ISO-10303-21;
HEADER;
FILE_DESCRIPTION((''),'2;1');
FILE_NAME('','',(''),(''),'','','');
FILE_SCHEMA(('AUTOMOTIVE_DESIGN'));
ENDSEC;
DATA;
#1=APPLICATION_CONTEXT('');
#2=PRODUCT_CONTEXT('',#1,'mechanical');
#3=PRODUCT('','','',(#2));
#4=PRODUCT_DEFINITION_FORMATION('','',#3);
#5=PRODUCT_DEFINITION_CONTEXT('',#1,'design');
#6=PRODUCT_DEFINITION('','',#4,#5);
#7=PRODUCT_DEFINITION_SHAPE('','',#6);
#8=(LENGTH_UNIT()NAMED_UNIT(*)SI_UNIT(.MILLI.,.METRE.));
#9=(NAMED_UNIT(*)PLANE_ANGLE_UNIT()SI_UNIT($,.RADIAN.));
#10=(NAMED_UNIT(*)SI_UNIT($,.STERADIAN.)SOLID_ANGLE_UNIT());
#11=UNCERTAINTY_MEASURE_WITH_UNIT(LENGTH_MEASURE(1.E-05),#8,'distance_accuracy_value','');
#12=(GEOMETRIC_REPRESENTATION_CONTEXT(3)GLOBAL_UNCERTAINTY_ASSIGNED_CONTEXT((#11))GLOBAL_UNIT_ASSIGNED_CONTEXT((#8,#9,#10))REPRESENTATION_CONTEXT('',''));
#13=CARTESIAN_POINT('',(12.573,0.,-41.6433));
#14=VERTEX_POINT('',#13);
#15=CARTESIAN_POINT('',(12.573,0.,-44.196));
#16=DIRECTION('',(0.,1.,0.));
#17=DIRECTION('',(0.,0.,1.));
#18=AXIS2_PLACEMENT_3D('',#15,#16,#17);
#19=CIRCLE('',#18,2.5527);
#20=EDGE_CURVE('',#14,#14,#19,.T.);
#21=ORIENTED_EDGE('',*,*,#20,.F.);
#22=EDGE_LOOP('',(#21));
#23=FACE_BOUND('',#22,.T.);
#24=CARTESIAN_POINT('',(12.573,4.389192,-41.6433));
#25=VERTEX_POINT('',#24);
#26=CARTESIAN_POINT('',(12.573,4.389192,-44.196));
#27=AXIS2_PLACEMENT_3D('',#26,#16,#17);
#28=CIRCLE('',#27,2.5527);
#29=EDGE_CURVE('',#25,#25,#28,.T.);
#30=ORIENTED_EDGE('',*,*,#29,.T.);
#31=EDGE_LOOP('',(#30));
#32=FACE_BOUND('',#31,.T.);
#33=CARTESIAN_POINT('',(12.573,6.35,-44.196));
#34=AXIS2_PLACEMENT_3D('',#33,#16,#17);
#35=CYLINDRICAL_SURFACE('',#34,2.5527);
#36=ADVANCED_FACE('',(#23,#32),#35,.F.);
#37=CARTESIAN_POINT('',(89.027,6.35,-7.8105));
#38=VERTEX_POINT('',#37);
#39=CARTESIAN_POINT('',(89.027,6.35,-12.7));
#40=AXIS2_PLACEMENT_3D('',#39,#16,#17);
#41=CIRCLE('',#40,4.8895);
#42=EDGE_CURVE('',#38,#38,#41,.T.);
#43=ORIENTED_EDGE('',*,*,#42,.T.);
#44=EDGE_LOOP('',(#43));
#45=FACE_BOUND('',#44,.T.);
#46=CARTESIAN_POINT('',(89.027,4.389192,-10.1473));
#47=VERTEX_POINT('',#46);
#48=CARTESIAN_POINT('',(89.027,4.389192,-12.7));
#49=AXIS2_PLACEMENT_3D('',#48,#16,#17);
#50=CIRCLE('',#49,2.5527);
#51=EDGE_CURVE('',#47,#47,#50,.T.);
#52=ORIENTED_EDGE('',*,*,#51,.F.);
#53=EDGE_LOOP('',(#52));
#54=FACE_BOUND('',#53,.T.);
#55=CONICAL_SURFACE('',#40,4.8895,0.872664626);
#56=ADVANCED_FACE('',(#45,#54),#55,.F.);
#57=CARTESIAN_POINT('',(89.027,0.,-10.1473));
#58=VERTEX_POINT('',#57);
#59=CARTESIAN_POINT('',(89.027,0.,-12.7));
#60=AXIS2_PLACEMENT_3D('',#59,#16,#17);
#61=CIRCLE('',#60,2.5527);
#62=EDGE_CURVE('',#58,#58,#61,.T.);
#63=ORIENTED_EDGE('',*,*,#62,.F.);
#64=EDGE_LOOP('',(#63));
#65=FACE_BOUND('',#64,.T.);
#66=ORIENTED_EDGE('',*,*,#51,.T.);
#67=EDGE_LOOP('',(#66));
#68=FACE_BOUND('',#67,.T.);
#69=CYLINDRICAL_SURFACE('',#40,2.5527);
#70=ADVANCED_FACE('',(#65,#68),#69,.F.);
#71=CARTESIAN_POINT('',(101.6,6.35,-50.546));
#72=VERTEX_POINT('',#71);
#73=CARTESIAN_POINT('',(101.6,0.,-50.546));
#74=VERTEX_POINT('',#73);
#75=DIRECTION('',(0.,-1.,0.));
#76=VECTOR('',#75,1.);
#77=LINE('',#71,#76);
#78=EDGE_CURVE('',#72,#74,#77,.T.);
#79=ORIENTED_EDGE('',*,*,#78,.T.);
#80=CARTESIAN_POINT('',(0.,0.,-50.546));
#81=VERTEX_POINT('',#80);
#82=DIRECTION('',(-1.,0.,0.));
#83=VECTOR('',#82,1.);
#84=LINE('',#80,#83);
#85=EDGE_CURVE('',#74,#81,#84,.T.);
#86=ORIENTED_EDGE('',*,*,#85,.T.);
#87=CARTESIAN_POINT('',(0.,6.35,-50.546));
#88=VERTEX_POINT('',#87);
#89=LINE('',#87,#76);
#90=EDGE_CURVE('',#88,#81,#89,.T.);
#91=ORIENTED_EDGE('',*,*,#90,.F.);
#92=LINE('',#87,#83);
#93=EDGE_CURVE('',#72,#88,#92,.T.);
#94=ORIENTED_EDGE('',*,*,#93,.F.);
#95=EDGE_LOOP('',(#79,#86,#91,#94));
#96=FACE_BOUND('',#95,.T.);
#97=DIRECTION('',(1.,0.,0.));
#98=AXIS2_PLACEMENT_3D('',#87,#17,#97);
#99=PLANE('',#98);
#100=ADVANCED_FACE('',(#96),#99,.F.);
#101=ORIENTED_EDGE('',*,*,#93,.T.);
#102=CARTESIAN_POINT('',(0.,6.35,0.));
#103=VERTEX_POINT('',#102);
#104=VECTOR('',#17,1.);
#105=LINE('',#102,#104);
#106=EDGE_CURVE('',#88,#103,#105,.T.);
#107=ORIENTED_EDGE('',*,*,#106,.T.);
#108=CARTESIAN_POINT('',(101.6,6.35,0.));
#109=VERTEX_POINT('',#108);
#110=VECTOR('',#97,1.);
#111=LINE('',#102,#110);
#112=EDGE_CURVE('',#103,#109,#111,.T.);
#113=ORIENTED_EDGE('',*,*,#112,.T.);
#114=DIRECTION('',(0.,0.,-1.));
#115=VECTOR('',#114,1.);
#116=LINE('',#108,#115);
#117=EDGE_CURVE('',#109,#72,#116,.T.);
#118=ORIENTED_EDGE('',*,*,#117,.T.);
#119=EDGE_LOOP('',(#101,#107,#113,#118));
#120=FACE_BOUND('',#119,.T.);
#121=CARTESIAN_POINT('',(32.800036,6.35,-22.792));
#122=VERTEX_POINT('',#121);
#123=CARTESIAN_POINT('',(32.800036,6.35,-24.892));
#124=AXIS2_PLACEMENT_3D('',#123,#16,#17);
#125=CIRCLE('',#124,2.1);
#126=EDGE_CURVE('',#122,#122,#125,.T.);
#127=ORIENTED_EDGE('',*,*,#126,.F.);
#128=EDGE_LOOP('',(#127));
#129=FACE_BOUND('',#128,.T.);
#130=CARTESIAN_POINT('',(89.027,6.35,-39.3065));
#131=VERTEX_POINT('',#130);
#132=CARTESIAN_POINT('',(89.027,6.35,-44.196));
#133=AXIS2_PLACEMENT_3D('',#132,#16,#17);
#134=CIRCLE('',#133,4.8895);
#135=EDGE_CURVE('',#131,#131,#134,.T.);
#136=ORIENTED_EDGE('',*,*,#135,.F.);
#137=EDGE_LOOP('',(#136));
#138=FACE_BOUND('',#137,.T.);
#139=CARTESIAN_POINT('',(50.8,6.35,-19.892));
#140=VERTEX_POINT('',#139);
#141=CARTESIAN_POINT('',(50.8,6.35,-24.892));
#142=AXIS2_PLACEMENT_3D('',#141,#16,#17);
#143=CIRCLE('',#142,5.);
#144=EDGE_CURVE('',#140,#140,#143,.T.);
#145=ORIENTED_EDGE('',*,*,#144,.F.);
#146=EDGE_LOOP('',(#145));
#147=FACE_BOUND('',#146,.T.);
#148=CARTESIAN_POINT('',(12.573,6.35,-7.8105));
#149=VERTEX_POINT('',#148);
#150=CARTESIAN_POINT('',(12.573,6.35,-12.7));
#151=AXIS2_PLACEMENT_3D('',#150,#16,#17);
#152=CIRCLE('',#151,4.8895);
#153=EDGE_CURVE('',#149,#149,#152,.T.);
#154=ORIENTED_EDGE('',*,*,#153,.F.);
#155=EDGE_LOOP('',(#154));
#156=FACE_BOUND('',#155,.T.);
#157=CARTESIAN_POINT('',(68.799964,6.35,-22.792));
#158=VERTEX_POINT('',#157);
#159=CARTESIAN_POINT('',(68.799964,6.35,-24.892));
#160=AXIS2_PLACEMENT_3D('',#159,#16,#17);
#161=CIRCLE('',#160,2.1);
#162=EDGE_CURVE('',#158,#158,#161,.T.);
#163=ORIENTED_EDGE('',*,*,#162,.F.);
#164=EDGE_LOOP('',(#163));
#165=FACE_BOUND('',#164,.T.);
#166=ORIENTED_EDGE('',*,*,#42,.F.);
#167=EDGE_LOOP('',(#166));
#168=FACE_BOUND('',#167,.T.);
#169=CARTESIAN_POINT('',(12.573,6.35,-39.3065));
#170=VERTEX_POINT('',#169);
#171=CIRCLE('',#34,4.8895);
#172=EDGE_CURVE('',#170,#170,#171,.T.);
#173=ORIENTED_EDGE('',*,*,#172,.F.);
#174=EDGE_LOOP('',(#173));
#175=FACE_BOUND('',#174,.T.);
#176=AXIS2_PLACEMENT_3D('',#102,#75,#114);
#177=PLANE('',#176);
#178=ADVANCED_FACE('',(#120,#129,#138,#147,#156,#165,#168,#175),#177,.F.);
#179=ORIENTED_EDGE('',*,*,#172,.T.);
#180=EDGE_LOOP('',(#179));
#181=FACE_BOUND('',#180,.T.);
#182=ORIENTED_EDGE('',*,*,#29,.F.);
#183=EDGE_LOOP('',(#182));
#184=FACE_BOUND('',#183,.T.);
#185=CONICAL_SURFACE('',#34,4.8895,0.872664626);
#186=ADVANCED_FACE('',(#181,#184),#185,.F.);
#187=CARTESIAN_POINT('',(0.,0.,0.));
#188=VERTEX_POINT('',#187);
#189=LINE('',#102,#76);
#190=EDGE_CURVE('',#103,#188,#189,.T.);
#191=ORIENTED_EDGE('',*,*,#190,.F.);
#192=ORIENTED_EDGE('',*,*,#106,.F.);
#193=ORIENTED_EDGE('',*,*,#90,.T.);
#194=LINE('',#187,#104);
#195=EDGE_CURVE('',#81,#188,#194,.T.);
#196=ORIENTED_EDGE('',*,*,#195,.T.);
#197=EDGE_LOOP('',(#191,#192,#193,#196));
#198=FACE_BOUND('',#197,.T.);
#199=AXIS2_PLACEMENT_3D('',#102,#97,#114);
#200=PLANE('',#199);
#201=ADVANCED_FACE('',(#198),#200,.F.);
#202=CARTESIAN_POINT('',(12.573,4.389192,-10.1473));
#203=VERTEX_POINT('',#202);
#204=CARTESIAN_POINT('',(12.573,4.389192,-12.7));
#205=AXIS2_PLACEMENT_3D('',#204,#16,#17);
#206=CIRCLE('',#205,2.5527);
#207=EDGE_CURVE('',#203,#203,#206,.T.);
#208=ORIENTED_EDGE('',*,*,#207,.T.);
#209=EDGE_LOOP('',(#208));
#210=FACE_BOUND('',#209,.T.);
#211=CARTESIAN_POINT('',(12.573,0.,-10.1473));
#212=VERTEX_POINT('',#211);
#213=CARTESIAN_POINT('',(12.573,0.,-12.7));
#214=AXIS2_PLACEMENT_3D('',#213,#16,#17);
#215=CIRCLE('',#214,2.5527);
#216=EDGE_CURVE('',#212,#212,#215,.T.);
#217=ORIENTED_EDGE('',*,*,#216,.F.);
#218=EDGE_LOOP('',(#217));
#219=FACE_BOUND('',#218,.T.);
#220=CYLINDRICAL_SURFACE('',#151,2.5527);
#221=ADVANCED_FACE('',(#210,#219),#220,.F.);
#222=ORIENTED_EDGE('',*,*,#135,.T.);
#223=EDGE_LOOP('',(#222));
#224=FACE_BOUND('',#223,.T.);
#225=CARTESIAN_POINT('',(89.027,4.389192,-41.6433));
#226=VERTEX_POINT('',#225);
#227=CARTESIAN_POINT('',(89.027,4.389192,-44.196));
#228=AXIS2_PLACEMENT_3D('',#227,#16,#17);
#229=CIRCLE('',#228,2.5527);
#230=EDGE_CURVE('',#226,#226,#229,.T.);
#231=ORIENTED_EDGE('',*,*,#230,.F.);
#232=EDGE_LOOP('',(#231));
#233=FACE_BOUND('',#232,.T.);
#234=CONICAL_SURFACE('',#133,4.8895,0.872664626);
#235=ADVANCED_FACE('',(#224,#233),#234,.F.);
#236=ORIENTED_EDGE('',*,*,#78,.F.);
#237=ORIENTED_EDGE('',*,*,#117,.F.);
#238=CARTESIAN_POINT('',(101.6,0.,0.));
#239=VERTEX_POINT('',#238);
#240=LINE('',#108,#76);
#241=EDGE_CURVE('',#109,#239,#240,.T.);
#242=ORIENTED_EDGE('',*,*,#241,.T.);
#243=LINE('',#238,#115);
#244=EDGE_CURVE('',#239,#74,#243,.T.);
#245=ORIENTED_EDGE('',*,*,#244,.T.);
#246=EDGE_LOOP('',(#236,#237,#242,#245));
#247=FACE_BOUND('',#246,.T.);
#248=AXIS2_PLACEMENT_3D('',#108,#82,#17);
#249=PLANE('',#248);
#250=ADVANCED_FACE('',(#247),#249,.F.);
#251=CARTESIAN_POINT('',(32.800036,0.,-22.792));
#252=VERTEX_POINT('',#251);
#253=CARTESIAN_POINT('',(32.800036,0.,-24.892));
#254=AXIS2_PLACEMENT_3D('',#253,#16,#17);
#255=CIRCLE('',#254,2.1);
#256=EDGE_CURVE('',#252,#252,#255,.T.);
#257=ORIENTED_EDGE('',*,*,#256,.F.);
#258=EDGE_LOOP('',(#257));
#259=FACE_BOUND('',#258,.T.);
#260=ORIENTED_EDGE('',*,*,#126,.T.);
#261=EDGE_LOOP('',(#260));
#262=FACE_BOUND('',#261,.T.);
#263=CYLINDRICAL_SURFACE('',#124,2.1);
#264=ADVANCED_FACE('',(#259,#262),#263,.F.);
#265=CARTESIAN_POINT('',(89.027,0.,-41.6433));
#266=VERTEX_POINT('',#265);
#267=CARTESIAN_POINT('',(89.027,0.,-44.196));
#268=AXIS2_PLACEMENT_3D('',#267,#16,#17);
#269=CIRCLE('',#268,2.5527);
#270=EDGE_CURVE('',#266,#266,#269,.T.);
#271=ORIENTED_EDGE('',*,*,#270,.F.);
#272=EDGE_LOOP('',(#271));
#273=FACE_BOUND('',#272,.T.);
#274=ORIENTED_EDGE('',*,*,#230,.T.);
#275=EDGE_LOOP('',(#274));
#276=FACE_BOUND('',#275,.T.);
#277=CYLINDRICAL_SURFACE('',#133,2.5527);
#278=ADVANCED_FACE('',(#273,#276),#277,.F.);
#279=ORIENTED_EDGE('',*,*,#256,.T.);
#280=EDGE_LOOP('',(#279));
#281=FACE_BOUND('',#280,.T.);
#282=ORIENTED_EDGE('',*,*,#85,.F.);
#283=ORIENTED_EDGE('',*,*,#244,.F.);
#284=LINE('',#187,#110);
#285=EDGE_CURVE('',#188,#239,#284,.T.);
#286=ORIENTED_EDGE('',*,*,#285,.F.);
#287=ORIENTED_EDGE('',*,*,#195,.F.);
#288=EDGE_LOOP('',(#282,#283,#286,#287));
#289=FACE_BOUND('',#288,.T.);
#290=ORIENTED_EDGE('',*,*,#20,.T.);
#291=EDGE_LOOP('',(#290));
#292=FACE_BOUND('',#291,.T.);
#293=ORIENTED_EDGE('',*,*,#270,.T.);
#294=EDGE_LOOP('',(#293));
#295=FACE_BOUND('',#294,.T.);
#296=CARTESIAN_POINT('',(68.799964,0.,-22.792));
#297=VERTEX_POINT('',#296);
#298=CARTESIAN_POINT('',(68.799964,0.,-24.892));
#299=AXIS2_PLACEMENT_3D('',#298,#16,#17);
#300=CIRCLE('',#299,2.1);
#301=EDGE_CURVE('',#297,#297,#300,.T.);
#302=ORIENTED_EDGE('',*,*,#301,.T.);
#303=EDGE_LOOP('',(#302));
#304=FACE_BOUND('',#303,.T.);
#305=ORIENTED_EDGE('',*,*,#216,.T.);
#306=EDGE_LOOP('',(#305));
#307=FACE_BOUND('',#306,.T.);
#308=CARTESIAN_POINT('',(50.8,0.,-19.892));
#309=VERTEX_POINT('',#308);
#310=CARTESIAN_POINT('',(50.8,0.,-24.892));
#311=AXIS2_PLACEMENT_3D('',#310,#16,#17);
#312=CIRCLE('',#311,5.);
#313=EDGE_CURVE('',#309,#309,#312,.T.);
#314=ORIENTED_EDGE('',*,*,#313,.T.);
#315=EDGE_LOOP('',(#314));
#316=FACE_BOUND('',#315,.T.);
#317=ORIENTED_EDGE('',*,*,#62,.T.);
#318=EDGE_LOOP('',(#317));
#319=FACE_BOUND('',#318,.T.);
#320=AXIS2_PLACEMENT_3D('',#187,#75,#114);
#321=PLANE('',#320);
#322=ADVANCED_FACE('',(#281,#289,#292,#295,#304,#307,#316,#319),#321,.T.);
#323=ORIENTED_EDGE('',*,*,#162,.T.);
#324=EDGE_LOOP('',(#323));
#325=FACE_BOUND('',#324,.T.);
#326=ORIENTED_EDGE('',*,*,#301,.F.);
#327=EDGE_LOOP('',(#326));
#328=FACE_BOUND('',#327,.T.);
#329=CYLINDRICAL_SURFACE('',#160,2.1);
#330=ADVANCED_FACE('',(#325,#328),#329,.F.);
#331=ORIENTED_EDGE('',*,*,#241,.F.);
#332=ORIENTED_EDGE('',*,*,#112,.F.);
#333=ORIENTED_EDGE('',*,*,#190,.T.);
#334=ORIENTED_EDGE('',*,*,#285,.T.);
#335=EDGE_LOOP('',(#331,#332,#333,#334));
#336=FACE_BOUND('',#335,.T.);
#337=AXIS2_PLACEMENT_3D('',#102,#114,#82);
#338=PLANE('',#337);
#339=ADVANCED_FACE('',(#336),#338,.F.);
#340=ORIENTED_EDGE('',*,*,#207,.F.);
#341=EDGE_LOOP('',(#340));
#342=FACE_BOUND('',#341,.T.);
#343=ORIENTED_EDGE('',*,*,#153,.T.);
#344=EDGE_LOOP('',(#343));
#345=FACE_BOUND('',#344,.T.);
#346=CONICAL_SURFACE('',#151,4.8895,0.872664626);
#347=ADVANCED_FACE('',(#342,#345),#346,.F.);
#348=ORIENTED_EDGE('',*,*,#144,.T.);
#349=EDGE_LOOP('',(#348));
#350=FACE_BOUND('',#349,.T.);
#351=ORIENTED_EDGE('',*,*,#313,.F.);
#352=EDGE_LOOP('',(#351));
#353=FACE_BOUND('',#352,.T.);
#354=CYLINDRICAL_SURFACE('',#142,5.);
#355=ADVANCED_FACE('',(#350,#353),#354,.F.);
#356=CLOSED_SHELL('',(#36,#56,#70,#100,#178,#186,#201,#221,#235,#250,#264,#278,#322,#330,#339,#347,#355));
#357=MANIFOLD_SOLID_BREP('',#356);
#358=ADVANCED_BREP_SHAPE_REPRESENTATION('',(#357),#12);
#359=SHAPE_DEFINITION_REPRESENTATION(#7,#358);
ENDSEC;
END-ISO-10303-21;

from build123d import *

# Parameters (mm, degrees)
SKETCH1_W                                            = 101.6
SKETCH1_H                                            = 50.546
BASE_DEPTH                                           = 6.35
BEARING_BLOCK_BOLT_HOLE_PATTERN_D                    = 4.2
SHAFT_CLEARANCE_HOLE_D                               = 10
PLATE_MOUNTING_WOOD_SCREW_CLEARANCE_HOLE_D           = 5.1054
PLATE_MOUNTING_WOOD_SCREW_CLEARANCE_HOLE_CSINK_D     = 9.779
PLATE_MOUNTING_WOOD_SCREW_CLEARANCE_HOLE_CSINK_ANGLE = 100


with BuildPart() as part:
    # Sketch1 → base (new body)
    with BuildSketch(Plane(origin=(0, 0, 0), x_dir=(1, 0, 0), z_dir=(0, 1, 0))):
        with Locations((50.8, 25.273)):
            Rectangle(SKETCH1_W, SKETCH1_H)
    extrude(amount=BASE_DEPTH)

    # bearing_block_bolt_hole_pattern (through all)
    with Locations(Plane(origin=(0, 6.35, 0), x_dir=(1, 0, 0), z_dir=(0, 1, 0))):
        with Locations((32.800036, 24.892), (68.799964, 24.892)):
            Hole(BEARING_BLOCK_BOLT_HOLE_PATTERN_D / 2)

    # shaft_clearance_hole (through all)
    with Locations(Plane(origin=(0, 6.35, 0), x_dir=(1, 0, 0), z_dir=(0, 1, 0))):
        with Locations((50.8, 24.892)):
            Hole(SHAFT_CLEARANCE_HOLE_D / 2)

    # plate_mounting_wood_screw_clearance_holes (through all)
    with Locations(Plane(origin=(0, 6.35, 0), x_dir=(1, 0, 0), z_dir=(0, 1, 0))):
        with Locations((12.573, 44.196), (89.027, 12.7), (12.573, 12.7), (89.027, 44.196)):
            CounterSinkHole(PLATE_MOUNTING_WOOD_SCREW_CLEARANCE_HOLE_D / 2, PLATE_MOUNTING_WOOD_SCREW_CLEARANCE_HOLE_CSINK_D / 2, counter_sink_angle=PLATE_MOUNTING_WOOD_SCREW_CLEARANCE_HOLE_CSINK_ANGLE)


solid = part.part
